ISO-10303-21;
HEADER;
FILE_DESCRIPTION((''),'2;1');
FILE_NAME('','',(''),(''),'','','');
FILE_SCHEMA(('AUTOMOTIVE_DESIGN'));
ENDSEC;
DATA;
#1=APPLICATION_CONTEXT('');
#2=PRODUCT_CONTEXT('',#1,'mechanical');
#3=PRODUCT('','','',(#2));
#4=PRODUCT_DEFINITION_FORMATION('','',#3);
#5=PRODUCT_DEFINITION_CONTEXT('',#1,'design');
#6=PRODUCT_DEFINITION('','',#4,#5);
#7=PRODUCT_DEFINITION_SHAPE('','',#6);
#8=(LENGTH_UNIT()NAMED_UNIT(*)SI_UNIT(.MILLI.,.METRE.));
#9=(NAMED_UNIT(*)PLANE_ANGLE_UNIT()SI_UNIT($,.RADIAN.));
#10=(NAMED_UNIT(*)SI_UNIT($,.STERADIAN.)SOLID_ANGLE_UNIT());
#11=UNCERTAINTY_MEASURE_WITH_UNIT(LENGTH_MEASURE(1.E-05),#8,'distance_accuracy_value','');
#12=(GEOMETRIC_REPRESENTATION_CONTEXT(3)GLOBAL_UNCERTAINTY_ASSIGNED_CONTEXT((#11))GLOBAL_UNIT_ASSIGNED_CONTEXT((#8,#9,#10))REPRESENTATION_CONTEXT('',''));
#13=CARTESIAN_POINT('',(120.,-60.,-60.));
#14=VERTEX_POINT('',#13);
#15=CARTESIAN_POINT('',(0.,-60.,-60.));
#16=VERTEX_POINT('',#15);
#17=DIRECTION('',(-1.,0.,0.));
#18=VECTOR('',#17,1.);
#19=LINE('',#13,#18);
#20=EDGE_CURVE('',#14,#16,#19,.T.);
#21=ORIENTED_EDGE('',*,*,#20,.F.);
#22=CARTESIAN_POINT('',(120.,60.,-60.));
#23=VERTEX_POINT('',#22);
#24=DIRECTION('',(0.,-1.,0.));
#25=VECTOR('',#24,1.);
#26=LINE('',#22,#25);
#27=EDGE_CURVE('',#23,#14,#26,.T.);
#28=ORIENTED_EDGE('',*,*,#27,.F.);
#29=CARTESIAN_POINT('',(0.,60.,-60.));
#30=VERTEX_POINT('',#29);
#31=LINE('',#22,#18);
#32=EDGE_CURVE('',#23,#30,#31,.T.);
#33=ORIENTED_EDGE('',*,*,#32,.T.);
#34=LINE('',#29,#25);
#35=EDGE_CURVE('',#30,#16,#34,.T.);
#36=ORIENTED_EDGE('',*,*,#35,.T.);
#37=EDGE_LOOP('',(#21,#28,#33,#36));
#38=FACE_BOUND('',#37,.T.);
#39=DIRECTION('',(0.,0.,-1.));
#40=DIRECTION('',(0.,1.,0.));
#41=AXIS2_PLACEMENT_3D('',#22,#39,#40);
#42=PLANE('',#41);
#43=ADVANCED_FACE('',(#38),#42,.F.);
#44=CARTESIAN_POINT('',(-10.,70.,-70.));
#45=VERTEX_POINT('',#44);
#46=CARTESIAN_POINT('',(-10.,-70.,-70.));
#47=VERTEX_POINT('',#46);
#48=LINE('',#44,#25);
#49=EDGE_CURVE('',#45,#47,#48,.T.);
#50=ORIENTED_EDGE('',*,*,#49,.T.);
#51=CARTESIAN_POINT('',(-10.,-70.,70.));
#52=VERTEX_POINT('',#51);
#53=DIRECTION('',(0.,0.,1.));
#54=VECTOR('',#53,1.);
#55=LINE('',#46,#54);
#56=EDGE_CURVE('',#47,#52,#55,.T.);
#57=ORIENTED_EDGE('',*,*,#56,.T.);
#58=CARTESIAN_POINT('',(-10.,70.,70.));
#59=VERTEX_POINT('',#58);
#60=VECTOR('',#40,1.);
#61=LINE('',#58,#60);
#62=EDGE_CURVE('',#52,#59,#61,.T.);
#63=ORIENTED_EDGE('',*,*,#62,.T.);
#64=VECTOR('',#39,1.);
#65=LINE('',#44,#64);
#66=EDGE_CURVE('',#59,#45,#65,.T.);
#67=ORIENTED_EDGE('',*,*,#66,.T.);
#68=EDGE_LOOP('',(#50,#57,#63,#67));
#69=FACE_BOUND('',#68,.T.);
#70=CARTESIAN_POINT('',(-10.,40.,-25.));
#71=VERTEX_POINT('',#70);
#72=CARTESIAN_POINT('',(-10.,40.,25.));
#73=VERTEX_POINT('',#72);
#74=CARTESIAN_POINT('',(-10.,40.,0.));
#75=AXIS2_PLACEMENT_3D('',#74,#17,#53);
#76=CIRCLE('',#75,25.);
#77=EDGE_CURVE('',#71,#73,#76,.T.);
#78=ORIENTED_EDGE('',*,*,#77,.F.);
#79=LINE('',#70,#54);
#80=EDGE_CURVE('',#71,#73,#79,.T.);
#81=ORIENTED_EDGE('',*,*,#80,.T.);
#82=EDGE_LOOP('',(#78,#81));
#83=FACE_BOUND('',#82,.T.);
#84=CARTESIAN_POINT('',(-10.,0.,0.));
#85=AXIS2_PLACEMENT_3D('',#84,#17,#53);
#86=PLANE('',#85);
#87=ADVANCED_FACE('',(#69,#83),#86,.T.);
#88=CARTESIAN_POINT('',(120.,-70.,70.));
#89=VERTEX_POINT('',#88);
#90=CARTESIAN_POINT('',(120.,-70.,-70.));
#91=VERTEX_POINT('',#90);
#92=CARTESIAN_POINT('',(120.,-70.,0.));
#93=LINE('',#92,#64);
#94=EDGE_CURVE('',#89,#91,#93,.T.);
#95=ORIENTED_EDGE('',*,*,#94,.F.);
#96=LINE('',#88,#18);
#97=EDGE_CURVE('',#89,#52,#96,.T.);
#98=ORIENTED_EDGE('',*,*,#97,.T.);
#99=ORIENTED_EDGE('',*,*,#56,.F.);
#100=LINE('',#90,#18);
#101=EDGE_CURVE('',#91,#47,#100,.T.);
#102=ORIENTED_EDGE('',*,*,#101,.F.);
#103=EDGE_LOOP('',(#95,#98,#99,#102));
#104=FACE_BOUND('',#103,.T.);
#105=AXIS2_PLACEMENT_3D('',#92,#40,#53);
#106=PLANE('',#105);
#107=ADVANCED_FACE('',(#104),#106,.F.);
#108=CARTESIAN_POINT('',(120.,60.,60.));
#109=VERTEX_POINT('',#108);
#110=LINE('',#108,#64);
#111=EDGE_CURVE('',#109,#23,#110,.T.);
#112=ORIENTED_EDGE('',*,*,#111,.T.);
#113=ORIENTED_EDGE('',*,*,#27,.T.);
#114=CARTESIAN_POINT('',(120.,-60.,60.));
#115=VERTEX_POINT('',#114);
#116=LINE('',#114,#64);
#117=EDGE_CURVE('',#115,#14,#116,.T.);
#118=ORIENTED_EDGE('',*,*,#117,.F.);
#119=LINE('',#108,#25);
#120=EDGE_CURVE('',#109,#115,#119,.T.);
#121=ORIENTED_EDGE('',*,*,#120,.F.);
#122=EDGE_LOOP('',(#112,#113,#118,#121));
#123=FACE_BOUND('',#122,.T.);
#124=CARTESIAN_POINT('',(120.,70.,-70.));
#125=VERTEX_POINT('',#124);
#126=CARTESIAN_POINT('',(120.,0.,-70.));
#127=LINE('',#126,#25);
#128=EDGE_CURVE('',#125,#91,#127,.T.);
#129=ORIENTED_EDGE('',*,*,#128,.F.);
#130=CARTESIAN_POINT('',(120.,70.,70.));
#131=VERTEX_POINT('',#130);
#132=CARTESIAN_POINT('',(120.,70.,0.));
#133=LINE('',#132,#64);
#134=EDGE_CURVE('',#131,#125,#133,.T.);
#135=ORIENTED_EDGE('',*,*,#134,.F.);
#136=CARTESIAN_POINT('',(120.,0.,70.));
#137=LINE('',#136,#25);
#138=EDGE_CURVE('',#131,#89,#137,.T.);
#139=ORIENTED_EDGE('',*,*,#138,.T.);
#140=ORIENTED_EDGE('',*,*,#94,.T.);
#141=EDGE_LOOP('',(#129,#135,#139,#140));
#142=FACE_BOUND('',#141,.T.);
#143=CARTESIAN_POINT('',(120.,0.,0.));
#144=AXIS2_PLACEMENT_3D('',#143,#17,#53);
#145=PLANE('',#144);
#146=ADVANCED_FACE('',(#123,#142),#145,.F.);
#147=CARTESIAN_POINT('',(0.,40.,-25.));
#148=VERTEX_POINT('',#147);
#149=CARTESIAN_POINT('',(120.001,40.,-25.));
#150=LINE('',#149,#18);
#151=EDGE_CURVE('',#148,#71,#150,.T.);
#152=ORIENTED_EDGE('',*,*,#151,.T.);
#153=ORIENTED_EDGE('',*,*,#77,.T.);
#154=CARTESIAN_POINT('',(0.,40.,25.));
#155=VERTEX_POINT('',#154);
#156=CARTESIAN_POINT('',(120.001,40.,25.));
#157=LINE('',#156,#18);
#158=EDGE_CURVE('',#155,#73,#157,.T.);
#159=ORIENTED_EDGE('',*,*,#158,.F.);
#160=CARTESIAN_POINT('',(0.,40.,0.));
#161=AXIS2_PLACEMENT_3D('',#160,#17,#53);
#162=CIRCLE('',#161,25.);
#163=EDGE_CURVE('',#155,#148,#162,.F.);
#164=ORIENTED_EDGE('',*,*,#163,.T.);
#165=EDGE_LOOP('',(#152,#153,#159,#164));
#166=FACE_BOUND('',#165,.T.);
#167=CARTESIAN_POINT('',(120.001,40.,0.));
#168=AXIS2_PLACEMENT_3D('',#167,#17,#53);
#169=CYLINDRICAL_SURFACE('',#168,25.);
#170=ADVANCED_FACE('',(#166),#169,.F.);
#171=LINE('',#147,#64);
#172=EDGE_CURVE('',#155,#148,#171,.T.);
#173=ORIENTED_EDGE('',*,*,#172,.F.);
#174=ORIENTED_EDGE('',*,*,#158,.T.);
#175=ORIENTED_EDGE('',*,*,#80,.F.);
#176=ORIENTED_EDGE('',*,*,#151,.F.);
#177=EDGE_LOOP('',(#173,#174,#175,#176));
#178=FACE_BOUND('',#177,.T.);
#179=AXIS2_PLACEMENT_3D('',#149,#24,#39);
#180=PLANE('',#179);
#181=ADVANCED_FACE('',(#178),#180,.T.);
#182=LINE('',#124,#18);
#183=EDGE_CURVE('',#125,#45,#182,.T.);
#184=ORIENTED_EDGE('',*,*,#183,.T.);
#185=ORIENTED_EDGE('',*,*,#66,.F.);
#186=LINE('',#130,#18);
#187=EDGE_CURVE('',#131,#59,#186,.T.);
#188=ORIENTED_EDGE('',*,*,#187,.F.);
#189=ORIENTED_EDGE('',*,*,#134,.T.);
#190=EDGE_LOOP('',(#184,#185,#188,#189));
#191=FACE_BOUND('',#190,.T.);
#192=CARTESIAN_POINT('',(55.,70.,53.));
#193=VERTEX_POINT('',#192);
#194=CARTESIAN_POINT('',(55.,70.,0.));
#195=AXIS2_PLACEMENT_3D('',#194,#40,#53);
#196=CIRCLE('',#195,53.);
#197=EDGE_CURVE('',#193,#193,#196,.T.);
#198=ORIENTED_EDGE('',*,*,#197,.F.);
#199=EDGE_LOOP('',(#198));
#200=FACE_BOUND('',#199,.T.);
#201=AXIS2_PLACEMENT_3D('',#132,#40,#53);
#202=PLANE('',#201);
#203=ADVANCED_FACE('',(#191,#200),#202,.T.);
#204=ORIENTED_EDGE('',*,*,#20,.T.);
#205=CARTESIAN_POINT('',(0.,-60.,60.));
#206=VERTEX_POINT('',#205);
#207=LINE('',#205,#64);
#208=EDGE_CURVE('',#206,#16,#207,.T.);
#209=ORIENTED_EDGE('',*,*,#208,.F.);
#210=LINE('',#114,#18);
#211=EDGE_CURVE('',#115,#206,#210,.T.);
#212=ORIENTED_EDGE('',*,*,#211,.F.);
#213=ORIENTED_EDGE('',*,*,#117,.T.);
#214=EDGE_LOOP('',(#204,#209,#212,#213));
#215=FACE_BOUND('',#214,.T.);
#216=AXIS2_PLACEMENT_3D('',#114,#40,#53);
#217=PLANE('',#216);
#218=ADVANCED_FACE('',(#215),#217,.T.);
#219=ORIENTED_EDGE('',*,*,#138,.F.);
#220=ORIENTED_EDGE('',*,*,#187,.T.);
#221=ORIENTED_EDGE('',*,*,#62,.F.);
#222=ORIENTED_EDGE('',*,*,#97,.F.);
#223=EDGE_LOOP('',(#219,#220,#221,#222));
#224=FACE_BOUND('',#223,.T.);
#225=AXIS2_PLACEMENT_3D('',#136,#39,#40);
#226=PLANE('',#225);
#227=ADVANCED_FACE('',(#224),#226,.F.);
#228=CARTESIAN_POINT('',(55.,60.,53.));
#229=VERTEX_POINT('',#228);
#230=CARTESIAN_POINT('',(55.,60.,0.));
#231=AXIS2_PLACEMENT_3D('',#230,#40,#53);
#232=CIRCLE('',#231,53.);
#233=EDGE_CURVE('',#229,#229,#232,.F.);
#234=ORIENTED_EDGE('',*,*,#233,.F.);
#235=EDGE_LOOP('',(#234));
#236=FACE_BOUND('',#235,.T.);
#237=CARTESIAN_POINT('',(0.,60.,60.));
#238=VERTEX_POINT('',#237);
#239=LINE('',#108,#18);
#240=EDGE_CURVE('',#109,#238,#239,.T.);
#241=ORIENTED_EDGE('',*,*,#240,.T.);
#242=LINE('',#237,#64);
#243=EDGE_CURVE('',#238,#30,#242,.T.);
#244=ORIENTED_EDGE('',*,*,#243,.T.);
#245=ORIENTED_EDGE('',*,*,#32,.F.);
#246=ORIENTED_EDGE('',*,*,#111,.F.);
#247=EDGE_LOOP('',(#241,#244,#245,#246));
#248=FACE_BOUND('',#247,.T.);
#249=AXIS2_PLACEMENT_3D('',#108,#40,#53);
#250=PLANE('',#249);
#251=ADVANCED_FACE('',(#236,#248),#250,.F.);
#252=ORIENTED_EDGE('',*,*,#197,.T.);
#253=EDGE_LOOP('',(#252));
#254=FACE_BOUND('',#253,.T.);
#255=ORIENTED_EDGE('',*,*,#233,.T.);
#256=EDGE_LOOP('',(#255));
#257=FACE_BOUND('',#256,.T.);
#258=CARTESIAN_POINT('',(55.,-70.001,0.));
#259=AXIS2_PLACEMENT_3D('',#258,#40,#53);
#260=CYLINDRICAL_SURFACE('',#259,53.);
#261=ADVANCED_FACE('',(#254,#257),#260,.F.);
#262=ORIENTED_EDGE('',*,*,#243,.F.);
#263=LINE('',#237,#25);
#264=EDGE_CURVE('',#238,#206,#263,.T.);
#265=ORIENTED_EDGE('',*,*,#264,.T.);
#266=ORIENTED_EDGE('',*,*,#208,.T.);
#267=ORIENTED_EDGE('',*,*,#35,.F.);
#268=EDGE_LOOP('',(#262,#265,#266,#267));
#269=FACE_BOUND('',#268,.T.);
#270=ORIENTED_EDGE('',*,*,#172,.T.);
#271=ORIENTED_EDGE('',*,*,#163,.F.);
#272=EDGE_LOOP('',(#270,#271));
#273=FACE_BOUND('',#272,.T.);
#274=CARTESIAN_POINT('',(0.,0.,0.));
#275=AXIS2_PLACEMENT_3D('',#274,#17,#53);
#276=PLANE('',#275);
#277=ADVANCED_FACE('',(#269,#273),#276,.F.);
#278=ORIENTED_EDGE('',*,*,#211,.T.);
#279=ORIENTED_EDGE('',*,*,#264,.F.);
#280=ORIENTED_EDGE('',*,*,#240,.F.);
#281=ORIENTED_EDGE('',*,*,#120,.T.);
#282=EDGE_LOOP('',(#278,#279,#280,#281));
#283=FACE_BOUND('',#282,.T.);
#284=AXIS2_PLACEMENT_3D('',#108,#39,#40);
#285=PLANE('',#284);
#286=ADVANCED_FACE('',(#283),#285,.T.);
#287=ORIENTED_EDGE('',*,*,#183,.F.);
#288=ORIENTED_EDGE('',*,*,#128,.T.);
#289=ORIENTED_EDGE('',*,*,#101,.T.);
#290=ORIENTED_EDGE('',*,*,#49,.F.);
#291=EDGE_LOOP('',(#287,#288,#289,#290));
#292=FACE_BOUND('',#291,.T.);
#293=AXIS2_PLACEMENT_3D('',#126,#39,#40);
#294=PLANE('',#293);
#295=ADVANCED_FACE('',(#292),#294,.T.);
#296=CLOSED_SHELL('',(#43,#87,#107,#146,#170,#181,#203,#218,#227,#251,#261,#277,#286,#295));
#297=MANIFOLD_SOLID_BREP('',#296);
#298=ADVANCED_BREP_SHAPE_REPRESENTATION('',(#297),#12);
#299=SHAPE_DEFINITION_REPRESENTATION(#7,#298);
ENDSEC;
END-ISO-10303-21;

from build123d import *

# Parameters (mm, degrees)
SKETCH2_W           = 140
SKETCH2_H           = 140
SKETCH2_W_2         = 120
SKETCH2_H_2         = 120
EXTRUDE_THIN1_DEPTH = 120
SKETCH3_W           = 140
SKETCH3_H           = 140
BOSS_EXTRUDE1_DEPTH = 10
CUT_EXTRUDE1_REACH  = 199.231
SKETCH5_R           = 53
CUT_EXTRUDE4_REACH  = 165.401


with BuildPart() as part:
    # Sketch2 → Extrude-Thin1 (new body)
    with BuildSketch(Plane(origin=(0, 0, 0), x_dir=(0, 0, -1), z_dir=(1, 0, 0))):
        Rectangle(SKETCH2_W, SKETCH2_H)
        Rectangle(SKETCH2_W_2, SKETCH2_H_2, mode=Mode.SUBTRACT)
    extrude(amount=EXTRUDE_THIN1_DEPTH)

    # Sketch3 → Boss-Extrude1 (add)
    with BuildSketch(Plane.ZY):
        Rectangle(SKETCH3_W, SKETCH3_H)
    extrude(amount=BOSS_EXTRUDE1_DEPTH)

    # Sketch5 → Cut-Extrude1 (cut, up to next)
    with BuildSketch(Plane(origin=(0, 70, 0), x_dir=(1, 0, 0), z_dir=(0, 1, 0)), mode=Mode.PRIVATE) as cut_extrude1_sk1:
        with Locations(Location((55, 0, 0), (0, 0, 270))):
            Circle(SKETCH5_R)
    cut_extrude1_tool1 = extrude(cut_extrude1_sk1.sketch, amount=-CUT_EXTRUDE1_REACH, mode=Mode.PRIVATE) & part.part
    add(cut_extrude1_tool1.solids().sort_by_distance((55, 70, 0))[0], mode=Mode.SUBTRACT)

    # Sketch8 → Cut-Extrude4 (cut, up to next)
    with BuildSketch(Plane.ZY.offset(10), mode=Mode.PRIVATE) as cut_extrude4_sk1:
        with BuildLine():
            Line((-25, 40), (25, 40))
            ThreePointArc((25, 40), (0, 15), (-25, 40))
        make_face()
    cut_extrude4_tool1 = extrude(cut_extrude4_sk1.sketch, amount=-CUT_EXTRUDE4_REACH, mode=Mode.PRIVATE) & part.part
    add(cut_extrude4_tool1.solids().sort_by_distance((-10, 29.38967, 0))[0], mode=Mode.SUBTRACT)


solid = part.part
